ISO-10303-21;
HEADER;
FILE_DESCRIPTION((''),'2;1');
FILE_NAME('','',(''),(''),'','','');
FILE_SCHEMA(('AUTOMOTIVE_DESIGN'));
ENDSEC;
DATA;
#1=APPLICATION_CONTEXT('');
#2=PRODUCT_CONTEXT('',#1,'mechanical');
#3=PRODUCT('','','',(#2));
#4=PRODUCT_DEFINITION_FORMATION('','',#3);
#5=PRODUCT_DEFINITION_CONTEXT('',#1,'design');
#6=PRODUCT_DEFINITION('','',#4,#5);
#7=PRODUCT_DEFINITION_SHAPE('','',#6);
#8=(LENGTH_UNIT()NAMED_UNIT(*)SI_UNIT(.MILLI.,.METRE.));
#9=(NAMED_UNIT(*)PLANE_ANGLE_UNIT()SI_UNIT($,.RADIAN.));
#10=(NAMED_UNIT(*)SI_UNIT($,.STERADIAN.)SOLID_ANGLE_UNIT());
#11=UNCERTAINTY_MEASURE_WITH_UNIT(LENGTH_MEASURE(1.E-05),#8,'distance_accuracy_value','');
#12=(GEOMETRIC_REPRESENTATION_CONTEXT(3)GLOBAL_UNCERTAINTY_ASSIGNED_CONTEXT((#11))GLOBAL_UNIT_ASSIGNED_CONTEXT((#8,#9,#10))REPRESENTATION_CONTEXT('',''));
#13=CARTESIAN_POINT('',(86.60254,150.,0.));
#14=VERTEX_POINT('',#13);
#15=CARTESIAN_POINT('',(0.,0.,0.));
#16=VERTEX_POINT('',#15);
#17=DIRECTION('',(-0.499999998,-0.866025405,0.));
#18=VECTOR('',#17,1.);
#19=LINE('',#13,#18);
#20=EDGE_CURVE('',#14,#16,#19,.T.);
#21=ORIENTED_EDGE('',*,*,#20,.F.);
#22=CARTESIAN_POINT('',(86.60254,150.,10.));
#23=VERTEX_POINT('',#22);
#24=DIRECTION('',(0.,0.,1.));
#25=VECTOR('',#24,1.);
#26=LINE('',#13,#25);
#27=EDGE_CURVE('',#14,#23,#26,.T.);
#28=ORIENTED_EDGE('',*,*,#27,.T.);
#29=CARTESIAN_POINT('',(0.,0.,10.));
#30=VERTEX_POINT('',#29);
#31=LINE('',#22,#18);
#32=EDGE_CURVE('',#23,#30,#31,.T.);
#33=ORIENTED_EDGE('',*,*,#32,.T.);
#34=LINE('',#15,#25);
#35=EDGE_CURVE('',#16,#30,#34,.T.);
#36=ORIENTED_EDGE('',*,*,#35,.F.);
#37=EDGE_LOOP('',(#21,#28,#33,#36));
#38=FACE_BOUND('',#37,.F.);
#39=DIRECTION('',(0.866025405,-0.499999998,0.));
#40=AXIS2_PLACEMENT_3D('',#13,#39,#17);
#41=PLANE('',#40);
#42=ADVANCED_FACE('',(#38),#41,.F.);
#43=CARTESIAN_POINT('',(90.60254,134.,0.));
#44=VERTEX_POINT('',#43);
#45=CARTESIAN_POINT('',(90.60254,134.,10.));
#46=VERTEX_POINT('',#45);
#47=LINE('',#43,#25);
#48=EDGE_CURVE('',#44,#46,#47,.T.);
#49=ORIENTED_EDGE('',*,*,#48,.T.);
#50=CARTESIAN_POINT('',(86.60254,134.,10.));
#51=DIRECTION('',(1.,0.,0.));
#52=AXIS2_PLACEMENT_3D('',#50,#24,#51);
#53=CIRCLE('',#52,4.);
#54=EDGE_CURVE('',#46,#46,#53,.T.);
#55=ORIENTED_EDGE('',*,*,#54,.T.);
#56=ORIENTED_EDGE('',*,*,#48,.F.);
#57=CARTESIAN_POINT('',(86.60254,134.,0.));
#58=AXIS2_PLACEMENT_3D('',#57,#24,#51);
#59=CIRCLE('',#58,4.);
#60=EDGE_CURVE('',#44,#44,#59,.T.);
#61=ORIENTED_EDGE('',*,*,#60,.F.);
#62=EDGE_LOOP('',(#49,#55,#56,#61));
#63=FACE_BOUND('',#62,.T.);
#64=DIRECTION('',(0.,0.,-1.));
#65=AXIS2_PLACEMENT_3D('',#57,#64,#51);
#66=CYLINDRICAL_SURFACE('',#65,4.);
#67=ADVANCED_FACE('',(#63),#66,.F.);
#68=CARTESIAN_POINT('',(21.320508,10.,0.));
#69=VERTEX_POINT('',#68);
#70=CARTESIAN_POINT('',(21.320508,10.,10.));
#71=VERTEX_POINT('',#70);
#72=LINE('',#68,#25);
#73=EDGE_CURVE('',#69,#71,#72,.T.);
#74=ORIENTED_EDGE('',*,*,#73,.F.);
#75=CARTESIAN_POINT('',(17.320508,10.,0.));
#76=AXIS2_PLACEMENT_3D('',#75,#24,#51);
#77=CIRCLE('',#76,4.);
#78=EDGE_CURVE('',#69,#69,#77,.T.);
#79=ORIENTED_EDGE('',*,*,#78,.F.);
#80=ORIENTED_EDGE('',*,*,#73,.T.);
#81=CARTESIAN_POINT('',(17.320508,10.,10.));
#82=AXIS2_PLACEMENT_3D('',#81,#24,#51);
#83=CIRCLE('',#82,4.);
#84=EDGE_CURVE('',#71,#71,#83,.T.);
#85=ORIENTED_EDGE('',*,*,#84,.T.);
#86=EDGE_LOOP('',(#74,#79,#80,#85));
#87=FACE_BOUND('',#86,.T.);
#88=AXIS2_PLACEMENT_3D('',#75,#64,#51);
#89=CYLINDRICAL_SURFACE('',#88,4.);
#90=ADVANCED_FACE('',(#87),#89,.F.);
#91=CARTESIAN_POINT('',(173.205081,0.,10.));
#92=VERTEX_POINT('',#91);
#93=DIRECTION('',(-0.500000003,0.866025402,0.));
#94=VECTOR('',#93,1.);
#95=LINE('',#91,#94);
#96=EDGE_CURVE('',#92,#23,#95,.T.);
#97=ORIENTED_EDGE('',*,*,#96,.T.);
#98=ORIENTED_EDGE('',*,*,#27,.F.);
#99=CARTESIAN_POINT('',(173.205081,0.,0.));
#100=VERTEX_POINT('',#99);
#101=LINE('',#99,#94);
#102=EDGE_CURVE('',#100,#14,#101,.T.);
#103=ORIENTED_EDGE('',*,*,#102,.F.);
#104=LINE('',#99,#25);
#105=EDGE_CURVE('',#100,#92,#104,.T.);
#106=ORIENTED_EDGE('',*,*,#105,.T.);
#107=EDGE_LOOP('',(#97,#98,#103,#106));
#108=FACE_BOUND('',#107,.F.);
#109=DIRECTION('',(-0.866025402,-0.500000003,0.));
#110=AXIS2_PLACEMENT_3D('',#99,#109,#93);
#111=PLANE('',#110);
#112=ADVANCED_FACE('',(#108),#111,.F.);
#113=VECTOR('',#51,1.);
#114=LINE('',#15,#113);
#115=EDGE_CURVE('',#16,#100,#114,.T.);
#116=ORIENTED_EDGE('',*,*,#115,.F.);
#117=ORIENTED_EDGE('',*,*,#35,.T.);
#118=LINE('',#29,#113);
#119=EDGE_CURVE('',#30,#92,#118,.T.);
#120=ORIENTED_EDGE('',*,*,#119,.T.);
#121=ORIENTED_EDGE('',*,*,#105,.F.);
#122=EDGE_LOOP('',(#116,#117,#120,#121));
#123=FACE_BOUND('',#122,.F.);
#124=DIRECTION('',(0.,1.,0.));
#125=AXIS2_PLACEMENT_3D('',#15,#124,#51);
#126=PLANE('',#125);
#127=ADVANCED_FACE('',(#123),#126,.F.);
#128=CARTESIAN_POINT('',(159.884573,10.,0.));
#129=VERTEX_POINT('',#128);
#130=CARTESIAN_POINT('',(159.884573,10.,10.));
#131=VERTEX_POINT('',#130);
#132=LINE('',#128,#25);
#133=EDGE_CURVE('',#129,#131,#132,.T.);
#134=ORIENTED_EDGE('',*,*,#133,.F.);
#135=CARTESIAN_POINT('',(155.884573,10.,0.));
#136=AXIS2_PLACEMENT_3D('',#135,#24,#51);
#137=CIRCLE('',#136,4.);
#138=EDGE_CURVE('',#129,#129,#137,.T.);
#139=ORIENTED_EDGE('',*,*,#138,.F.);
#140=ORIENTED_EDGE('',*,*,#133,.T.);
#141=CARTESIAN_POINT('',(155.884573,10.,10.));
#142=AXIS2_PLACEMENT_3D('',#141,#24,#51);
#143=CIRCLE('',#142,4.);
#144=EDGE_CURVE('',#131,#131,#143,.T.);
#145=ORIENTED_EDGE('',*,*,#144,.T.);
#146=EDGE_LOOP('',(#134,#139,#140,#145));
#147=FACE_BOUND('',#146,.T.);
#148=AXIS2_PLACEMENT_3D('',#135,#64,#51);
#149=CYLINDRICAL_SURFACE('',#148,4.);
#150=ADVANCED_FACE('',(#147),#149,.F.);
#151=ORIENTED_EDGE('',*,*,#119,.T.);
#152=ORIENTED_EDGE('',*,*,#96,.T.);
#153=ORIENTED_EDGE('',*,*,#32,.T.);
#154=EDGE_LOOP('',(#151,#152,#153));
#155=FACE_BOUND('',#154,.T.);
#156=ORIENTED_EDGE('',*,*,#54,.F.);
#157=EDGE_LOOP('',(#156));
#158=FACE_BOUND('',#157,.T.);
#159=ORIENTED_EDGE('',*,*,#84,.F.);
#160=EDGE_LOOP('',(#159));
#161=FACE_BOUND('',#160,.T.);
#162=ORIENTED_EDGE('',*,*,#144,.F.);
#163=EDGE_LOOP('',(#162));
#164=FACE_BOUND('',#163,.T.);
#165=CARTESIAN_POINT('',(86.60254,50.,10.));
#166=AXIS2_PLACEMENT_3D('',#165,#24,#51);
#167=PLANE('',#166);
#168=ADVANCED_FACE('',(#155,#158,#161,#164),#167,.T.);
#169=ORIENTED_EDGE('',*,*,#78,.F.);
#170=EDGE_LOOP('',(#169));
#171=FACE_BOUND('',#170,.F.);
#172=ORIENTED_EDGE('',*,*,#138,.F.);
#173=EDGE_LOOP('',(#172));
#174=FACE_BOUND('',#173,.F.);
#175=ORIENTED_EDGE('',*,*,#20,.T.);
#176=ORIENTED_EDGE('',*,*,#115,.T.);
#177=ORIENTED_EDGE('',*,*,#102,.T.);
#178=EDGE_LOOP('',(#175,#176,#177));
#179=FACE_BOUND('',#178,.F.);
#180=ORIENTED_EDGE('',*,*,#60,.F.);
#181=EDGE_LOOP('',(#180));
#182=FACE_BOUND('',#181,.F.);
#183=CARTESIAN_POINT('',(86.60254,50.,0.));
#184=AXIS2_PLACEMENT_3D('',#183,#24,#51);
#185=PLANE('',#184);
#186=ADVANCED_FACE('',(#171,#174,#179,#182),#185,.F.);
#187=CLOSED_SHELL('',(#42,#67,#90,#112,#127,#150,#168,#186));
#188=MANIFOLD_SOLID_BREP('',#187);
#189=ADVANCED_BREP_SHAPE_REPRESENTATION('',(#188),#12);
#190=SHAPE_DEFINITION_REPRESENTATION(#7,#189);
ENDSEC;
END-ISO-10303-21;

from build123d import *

# Parameters (mm, degrees)
F0_R     = 4
F1_DEPTH = 10


with BuildPart() as f1:
    # F0 (on Top) → F1 (new body)
    with BuildSketch(Plane.XY):
        Polygon((86.60254, 150), (0, 0), (173.205081, 0), align=None)
        with Locations((17.320508, 10)):
            Circle(F0_R, mode=Mode.SUBTRACT)
        with Locations((155.884573, 10)):
            Circle(F0_R, mode=Mode.SUBTRACT)
        with Locations((86.60254, 134)):
            Circle(F0_R, mode=Mode.SUBTRACT)
    extrude(amount=F1_DEPTH)


solid = f1.part
